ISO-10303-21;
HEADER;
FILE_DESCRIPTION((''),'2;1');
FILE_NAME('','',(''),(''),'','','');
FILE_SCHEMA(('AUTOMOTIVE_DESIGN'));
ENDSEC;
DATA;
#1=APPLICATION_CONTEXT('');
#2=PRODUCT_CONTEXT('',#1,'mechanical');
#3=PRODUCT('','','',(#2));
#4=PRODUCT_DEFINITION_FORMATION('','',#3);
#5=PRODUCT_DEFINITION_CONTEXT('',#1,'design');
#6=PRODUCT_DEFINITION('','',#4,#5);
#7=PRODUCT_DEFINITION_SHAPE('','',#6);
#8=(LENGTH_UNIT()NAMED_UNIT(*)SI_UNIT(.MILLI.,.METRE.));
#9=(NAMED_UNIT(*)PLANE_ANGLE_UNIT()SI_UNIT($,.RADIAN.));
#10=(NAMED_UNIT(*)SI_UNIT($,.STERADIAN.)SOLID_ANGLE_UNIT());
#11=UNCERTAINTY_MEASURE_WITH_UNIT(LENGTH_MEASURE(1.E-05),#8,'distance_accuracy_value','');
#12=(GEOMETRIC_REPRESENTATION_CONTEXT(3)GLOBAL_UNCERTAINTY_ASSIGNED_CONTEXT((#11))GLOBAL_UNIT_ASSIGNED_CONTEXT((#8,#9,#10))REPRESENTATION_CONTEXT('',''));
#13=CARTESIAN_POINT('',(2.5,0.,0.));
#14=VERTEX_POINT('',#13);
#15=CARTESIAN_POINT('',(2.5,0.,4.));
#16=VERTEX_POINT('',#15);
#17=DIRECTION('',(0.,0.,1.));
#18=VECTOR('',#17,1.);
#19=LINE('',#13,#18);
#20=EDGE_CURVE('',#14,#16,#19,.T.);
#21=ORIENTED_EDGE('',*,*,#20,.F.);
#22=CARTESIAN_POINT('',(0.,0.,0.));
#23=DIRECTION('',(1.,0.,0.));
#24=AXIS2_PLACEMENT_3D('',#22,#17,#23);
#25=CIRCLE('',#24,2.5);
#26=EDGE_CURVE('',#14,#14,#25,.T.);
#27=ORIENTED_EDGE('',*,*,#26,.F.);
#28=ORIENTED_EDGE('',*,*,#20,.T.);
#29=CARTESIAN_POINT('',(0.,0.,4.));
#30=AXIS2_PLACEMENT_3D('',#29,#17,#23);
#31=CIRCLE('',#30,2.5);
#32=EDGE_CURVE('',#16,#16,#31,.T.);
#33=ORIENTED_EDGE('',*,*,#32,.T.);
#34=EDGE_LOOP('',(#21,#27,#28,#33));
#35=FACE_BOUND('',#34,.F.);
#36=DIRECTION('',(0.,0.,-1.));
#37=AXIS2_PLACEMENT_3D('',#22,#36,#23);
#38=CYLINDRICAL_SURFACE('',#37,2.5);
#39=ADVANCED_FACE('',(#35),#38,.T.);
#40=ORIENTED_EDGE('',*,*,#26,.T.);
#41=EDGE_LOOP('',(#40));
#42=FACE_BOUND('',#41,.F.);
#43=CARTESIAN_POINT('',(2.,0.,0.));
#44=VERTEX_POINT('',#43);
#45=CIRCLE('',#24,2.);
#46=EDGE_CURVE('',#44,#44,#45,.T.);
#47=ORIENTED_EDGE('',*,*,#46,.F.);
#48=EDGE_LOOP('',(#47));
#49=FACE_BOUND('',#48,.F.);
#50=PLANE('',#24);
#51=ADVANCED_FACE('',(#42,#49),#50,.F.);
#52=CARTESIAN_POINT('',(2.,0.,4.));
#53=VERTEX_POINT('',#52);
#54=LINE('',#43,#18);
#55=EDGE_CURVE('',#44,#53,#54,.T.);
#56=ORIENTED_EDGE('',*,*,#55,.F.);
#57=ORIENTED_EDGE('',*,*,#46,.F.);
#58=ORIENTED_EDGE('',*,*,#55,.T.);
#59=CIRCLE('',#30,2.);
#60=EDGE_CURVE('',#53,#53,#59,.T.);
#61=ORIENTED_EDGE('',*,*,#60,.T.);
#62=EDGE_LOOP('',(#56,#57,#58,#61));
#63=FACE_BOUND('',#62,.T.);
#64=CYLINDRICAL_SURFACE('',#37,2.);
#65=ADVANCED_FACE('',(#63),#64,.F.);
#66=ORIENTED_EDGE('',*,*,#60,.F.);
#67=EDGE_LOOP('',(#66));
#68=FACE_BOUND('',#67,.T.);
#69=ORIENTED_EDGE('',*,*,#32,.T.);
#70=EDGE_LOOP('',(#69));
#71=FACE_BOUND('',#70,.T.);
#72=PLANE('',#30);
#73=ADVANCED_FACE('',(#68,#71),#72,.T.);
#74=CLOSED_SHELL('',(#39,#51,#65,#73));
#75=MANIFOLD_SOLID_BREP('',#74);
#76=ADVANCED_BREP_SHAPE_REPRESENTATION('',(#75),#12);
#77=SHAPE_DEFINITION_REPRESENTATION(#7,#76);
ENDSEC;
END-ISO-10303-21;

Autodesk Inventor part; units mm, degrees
ref_plane "YZ Plane" through (0, 0, 0) normal (1, 0, 0) x (0, 1, 0)
ref_plane "XZ Plane" through (0, 0, 0) normal (0, 1, 0) x (-1, 0, 0)
ref_plane "XY Plane" through (0, 0, 0) normal (0, 0, 1) x (1, 0, 0)
sketch "Skizze1" plane through (0, 0, 0) normal (0, 0, 1) x (1, 0, 0)
  circle A0 centre (0, 0) radius 2.5
  circle A1 centre (0, 0) radius 2
  dimension "d0" = 4
  dimension "d1" = 5
extrude "Extrusion1" add sketch "Skizze1" along normal blind 4
properties part number "Gummi Schlauch" material "Gummi, Silikon"
